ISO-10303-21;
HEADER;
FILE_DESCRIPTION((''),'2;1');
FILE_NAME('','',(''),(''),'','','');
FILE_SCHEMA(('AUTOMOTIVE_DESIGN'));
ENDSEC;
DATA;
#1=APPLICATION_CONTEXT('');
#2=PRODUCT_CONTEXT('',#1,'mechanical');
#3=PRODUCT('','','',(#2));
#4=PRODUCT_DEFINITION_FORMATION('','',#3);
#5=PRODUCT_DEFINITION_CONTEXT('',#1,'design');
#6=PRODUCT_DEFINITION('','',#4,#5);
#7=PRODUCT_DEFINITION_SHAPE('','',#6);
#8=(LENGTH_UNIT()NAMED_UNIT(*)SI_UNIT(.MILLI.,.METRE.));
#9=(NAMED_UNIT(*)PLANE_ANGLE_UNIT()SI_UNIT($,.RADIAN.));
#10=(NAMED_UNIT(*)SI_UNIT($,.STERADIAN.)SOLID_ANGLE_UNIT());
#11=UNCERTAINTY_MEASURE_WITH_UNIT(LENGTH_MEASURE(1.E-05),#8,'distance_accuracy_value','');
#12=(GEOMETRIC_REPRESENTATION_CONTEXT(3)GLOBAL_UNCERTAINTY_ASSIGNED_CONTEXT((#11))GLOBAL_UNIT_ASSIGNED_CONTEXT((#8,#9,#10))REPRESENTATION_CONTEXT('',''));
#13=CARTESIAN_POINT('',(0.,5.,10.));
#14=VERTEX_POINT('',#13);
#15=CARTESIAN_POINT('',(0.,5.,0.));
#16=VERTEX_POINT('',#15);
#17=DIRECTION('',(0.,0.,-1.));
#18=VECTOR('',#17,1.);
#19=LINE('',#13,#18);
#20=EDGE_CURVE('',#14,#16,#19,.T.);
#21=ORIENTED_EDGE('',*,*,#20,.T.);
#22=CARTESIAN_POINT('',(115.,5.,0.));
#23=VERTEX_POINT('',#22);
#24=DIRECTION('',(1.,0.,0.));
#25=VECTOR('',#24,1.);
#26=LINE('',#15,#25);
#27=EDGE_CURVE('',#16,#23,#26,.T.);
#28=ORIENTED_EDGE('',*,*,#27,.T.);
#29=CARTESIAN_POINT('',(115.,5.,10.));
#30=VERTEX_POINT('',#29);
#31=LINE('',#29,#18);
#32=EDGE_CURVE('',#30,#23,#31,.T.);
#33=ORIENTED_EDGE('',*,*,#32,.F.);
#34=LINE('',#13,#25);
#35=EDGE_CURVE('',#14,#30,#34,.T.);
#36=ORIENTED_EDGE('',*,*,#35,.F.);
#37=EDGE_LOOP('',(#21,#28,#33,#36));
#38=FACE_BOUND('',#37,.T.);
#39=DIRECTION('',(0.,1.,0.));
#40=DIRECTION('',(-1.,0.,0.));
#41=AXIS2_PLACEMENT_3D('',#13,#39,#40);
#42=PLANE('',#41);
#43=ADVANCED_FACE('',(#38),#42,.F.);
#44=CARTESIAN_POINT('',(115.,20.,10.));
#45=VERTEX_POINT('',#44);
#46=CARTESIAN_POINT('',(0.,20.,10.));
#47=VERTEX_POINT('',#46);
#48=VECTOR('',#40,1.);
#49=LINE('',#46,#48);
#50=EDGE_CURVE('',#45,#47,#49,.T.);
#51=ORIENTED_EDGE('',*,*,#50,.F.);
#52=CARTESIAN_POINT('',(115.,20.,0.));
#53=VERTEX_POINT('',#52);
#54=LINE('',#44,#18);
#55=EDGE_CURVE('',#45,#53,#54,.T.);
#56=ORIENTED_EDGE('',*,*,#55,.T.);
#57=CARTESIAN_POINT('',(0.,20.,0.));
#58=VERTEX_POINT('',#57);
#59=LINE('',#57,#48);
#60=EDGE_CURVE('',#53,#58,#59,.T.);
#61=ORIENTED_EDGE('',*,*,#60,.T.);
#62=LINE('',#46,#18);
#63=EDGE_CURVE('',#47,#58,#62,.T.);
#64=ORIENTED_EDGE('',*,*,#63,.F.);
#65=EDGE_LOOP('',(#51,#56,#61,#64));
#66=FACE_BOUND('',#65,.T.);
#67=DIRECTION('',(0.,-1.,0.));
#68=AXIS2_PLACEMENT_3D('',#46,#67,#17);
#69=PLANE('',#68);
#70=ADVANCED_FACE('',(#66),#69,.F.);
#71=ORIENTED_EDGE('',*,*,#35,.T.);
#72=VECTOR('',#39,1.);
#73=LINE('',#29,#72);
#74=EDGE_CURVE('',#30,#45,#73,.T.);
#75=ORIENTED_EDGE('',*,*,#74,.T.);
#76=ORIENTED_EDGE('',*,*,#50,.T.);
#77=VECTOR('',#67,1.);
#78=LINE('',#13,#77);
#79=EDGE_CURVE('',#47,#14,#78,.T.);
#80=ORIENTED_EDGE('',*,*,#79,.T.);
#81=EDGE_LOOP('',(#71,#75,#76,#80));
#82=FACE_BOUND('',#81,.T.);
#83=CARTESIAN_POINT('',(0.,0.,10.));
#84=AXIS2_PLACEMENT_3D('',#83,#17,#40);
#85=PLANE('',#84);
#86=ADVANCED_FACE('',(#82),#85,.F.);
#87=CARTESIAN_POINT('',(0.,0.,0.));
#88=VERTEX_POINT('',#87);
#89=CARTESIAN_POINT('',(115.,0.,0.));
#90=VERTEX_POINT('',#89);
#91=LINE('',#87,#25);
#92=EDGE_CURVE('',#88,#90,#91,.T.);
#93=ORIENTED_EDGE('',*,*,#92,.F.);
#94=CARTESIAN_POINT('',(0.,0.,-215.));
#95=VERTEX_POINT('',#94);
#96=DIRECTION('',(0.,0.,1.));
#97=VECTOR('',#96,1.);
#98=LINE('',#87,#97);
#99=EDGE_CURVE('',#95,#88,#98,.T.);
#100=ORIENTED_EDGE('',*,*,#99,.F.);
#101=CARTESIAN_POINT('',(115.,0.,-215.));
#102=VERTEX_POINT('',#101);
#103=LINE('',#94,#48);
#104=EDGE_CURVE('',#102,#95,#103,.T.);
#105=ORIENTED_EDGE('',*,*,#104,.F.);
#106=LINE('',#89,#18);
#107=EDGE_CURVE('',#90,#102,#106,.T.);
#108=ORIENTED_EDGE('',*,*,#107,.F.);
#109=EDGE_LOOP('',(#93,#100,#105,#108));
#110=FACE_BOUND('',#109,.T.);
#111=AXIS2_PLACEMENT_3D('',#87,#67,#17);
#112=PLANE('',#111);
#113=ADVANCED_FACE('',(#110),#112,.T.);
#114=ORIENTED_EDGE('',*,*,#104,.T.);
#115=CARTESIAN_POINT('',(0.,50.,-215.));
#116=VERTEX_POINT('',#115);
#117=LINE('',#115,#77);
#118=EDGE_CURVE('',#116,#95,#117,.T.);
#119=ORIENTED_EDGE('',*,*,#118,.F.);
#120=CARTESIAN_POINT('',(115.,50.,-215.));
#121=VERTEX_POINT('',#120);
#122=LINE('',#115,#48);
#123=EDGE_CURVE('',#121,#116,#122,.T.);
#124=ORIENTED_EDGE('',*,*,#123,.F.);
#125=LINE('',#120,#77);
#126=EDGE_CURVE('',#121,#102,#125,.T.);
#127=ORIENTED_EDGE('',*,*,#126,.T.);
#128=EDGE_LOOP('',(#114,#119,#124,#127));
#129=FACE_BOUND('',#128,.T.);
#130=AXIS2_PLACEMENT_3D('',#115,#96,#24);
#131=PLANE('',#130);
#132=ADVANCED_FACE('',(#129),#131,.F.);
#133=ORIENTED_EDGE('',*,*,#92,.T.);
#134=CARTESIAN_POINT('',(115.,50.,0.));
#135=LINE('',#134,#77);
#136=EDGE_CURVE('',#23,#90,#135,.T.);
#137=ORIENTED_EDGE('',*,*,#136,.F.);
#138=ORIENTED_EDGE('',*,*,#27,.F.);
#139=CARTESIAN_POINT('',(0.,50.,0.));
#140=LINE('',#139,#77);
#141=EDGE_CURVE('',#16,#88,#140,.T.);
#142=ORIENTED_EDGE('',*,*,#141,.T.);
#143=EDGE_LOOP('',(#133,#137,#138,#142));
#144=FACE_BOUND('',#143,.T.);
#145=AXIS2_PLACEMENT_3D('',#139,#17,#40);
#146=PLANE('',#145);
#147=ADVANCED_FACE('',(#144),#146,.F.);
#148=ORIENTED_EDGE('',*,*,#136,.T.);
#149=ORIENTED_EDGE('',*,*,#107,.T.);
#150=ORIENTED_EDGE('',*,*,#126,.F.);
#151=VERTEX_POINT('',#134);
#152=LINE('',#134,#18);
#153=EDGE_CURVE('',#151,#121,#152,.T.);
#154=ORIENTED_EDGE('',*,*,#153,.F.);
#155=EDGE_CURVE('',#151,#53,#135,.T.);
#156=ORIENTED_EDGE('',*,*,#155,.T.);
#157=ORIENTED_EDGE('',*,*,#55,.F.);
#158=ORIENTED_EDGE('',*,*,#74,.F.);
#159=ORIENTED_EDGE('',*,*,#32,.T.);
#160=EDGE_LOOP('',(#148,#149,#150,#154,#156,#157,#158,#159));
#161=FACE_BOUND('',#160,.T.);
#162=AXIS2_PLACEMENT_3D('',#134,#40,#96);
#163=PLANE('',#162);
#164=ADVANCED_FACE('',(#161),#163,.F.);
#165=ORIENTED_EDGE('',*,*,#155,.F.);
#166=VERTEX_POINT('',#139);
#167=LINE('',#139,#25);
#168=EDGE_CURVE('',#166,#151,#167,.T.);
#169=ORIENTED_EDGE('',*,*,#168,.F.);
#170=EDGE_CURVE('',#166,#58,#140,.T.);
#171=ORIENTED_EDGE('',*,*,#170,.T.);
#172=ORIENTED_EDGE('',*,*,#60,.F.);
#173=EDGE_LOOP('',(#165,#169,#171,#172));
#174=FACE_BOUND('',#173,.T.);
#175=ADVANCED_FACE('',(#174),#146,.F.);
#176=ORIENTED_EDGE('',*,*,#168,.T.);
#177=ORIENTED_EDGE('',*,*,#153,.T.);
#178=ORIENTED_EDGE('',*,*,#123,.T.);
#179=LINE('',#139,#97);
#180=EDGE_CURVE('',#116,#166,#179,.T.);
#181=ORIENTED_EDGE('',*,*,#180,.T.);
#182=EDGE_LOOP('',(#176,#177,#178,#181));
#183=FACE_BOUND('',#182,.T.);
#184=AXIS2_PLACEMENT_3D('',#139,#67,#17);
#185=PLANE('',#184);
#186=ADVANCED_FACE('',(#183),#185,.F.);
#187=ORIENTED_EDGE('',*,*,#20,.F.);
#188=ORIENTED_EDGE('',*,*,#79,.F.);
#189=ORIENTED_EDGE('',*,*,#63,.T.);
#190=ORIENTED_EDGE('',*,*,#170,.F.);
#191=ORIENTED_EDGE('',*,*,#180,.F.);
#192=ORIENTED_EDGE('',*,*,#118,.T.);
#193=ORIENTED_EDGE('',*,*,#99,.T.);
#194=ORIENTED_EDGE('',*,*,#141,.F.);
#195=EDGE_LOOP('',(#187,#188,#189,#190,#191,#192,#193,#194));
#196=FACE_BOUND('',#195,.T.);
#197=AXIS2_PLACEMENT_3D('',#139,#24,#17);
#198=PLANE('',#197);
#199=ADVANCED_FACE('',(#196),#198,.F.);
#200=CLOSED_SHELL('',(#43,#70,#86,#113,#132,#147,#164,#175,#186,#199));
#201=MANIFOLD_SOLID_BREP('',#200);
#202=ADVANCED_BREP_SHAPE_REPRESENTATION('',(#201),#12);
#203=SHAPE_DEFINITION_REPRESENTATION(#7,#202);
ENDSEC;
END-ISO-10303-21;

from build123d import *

# Parameters (mm, degrees)
SKETCH1_W           = 115
SKETCH1_H           = 215
BOSS_EXTRUDE1_DEPTH = 50
SKETCH2_W           = 115
SKETCH2_H           = 15
BOSS_EXTRUDE2_DEPTH = 10


with BuildPart() as part:
    # Sketch1 → Boss-Extrude1 (new body)
    with BuildSketch(Plane(origin=(0, 0, 0), x_dir=(1, 0, 0), z_dir=(0, 1, 0))):
        with Locations((57.5, 107.5)):
            Rectangle(SKETCH1_W, SKETCH1_H)
    extrude(amount=BOSS_EXTRUDE1_DEPTH)

    # Sketch2 → Boss-Extrude2 (add)
    with BuildSketch(Plane.XY):
        with Locations((57.5, 12.5)):
            Rectangle(SKETCH2_W, SKETCH2_H)
    extrude(amount=BOSS_EXTRUDE2_DEPTH)


solid = part.part
